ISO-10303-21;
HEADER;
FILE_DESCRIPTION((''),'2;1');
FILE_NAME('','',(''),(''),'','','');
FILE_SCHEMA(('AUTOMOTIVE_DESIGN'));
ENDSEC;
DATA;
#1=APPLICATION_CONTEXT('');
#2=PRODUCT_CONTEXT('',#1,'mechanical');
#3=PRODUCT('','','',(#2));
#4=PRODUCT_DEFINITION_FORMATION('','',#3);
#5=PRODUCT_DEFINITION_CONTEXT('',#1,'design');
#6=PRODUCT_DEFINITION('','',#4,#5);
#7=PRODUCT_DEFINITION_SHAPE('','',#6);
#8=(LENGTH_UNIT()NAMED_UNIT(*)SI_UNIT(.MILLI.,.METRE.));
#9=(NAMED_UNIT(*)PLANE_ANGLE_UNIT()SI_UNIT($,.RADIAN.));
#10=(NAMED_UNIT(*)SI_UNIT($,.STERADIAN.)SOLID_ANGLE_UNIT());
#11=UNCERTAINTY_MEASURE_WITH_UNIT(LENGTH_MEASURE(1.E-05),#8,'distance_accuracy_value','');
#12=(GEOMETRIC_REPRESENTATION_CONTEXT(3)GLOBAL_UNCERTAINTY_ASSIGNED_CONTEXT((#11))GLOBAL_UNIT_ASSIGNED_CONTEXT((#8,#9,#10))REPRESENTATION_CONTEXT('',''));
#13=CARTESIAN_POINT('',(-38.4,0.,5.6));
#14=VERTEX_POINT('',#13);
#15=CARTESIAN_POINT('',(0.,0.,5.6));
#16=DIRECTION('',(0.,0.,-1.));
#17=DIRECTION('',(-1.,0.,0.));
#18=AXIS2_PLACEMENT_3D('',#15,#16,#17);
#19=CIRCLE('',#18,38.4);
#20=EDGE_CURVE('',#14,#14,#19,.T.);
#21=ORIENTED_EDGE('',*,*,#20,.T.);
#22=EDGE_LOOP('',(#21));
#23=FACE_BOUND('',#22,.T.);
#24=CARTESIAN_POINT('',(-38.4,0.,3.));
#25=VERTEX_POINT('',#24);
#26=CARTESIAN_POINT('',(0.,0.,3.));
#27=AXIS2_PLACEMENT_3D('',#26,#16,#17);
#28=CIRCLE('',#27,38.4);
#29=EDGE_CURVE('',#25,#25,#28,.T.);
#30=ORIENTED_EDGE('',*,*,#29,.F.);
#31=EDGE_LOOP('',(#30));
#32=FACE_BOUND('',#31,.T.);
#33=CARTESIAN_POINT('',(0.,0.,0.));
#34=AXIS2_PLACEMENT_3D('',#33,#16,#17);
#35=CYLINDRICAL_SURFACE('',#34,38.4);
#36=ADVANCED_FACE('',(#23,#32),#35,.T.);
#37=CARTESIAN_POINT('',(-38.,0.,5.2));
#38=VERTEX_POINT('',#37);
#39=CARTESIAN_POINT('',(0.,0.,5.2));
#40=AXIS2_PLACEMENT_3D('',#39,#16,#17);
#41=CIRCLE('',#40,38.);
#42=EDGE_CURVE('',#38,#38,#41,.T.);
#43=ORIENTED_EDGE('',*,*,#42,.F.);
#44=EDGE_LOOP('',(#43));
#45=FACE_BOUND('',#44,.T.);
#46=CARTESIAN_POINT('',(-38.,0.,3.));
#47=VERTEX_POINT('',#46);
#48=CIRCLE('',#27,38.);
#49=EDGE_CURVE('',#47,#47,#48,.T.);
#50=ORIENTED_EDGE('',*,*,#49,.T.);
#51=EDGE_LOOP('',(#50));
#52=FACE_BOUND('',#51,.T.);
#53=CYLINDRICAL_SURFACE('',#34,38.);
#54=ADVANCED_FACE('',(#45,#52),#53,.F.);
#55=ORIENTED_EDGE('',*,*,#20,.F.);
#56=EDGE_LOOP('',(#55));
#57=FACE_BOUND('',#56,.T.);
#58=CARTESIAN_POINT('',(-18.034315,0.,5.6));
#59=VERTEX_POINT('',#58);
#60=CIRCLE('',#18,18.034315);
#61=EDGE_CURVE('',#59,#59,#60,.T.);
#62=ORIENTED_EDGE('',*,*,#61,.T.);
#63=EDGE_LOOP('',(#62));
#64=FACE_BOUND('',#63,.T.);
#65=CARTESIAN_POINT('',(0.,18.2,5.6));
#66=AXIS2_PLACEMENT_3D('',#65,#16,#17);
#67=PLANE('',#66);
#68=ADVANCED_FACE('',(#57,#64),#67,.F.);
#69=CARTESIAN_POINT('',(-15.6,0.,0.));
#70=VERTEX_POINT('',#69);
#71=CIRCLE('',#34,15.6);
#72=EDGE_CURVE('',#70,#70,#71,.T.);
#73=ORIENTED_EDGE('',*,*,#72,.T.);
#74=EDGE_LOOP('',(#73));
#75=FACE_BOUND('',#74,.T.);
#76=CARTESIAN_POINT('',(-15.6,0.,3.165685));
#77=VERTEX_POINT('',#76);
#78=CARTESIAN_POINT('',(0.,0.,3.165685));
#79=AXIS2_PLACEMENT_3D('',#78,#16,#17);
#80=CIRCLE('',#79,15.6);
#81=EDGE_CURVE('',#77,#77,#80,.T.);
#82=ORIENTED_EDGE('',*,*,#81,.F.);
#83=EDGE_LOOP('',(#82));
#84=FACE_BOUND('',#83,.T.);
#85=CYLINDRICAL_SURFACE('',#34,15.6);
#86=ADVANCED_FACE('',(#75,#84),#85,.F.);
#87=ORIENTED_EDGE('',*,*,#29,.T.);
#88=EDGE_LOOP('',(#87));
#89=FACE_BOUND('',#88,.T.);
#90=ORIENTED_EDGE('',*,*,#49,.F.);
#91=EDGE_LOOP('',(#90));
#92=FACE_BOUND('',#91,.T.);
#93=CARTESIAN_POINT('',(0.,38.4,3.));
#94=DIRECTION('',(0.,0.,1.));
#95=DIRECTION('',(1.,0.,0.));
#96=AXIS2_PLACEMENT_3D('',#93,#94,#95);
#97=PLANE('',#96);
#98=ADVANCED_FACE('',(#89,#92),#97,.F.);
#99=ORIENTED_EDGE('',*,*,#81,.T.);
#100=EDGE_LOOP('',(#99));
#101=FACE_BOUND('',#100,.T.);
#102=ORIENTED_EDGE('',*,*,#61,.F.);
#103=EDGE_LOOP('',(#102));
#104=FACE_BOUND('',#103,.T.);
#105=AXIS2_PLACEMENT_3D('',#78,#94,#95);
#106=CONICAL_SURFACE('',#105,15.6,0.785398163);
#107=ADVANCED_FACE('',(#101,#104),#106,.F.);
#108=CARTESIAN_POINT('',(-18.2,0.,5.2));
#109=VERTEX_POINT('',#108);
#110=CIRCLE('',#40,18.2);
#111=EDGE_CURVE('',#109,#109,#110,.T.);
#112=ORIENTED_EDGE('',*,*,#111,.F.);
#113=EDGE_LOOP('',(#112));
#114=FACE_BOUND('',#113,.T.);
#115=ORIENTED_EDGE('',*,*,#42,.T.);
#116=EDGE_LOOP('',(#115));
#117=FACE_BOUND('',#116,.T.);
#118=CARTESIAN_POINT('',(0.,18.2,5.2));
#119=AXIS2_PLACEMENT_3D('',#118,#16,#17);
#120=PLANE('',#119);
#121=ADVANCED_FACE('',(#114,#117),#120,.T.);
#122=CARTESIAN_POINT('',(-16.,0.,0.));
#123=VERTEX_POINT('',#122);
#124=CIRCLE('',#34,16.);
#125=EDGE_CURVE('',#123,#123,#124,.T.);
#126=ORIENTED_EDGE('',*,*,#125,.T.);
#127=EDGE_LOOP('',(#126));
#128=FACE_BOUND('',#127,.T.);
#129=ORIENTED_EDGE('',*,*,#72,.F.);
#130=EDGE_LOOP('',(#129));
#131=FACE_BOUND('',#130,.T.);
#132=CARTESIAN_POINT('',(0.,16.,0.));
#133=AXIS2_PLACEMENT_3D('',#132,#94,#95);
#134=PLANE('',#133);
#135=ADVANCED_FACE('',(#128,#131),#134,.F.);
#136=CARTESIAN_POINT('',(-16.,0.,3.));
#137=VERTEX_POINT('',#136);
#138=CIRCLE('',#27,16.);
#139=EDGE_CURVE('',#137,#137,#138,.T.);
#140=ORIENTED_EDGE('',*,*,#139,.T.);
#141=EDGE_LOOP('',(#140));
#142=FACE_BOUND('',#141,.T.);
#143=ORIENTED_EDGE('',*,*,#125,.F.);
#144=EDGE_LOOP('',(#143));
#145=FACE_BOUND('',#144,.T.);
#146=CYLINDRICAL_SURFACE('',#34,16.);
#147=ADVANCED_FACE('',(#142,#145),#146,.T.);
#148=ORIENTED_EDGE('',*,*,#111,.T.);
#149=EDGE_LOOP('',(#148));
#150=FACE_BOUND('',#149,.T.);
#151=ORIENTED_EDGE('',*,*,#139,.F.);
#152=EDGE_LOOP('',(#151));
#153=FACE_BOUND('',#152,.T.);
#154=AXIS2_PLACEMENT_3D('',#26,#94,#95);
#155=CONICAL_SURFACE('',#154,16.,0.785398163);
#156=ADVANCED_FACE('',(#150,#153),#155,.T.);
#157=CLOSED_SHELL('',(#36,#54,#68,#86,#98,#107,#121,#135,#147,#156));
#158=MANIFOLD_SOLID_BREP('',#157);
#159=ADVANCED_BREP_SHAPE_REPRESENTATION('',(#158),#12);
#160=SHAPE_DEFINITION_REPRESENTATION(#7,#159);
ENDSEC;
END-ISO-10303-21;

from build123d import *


with BuildPart() as part:
    # Sketch1 → Revolve-Thin1 (revolve)
    with BuildSketch(Plane(origin=(0, 0, 0), x_dir=(0, 0, -1), z_dir=(1, 0, 0)), mode=Mode.PRIVATE) as revolve_thin1_sk:
        Polygon((0, 16), (-3, 16), (-5.2, 18.2), (-5.2, 38), (-3, 38), (-3, 38.4), (-5.6, 38.4), (-5.6, 18.034314575), (-3.165685425, 15.6), (0, 15.6), align=None)
    revolve(revolve_thin1_sk.sketch.rotate(Axis((0, 0, 0), (0, 0, 1)), 90), axis=Axis((0, 0, 0), (0, 0, 1)))


solid = part.part
